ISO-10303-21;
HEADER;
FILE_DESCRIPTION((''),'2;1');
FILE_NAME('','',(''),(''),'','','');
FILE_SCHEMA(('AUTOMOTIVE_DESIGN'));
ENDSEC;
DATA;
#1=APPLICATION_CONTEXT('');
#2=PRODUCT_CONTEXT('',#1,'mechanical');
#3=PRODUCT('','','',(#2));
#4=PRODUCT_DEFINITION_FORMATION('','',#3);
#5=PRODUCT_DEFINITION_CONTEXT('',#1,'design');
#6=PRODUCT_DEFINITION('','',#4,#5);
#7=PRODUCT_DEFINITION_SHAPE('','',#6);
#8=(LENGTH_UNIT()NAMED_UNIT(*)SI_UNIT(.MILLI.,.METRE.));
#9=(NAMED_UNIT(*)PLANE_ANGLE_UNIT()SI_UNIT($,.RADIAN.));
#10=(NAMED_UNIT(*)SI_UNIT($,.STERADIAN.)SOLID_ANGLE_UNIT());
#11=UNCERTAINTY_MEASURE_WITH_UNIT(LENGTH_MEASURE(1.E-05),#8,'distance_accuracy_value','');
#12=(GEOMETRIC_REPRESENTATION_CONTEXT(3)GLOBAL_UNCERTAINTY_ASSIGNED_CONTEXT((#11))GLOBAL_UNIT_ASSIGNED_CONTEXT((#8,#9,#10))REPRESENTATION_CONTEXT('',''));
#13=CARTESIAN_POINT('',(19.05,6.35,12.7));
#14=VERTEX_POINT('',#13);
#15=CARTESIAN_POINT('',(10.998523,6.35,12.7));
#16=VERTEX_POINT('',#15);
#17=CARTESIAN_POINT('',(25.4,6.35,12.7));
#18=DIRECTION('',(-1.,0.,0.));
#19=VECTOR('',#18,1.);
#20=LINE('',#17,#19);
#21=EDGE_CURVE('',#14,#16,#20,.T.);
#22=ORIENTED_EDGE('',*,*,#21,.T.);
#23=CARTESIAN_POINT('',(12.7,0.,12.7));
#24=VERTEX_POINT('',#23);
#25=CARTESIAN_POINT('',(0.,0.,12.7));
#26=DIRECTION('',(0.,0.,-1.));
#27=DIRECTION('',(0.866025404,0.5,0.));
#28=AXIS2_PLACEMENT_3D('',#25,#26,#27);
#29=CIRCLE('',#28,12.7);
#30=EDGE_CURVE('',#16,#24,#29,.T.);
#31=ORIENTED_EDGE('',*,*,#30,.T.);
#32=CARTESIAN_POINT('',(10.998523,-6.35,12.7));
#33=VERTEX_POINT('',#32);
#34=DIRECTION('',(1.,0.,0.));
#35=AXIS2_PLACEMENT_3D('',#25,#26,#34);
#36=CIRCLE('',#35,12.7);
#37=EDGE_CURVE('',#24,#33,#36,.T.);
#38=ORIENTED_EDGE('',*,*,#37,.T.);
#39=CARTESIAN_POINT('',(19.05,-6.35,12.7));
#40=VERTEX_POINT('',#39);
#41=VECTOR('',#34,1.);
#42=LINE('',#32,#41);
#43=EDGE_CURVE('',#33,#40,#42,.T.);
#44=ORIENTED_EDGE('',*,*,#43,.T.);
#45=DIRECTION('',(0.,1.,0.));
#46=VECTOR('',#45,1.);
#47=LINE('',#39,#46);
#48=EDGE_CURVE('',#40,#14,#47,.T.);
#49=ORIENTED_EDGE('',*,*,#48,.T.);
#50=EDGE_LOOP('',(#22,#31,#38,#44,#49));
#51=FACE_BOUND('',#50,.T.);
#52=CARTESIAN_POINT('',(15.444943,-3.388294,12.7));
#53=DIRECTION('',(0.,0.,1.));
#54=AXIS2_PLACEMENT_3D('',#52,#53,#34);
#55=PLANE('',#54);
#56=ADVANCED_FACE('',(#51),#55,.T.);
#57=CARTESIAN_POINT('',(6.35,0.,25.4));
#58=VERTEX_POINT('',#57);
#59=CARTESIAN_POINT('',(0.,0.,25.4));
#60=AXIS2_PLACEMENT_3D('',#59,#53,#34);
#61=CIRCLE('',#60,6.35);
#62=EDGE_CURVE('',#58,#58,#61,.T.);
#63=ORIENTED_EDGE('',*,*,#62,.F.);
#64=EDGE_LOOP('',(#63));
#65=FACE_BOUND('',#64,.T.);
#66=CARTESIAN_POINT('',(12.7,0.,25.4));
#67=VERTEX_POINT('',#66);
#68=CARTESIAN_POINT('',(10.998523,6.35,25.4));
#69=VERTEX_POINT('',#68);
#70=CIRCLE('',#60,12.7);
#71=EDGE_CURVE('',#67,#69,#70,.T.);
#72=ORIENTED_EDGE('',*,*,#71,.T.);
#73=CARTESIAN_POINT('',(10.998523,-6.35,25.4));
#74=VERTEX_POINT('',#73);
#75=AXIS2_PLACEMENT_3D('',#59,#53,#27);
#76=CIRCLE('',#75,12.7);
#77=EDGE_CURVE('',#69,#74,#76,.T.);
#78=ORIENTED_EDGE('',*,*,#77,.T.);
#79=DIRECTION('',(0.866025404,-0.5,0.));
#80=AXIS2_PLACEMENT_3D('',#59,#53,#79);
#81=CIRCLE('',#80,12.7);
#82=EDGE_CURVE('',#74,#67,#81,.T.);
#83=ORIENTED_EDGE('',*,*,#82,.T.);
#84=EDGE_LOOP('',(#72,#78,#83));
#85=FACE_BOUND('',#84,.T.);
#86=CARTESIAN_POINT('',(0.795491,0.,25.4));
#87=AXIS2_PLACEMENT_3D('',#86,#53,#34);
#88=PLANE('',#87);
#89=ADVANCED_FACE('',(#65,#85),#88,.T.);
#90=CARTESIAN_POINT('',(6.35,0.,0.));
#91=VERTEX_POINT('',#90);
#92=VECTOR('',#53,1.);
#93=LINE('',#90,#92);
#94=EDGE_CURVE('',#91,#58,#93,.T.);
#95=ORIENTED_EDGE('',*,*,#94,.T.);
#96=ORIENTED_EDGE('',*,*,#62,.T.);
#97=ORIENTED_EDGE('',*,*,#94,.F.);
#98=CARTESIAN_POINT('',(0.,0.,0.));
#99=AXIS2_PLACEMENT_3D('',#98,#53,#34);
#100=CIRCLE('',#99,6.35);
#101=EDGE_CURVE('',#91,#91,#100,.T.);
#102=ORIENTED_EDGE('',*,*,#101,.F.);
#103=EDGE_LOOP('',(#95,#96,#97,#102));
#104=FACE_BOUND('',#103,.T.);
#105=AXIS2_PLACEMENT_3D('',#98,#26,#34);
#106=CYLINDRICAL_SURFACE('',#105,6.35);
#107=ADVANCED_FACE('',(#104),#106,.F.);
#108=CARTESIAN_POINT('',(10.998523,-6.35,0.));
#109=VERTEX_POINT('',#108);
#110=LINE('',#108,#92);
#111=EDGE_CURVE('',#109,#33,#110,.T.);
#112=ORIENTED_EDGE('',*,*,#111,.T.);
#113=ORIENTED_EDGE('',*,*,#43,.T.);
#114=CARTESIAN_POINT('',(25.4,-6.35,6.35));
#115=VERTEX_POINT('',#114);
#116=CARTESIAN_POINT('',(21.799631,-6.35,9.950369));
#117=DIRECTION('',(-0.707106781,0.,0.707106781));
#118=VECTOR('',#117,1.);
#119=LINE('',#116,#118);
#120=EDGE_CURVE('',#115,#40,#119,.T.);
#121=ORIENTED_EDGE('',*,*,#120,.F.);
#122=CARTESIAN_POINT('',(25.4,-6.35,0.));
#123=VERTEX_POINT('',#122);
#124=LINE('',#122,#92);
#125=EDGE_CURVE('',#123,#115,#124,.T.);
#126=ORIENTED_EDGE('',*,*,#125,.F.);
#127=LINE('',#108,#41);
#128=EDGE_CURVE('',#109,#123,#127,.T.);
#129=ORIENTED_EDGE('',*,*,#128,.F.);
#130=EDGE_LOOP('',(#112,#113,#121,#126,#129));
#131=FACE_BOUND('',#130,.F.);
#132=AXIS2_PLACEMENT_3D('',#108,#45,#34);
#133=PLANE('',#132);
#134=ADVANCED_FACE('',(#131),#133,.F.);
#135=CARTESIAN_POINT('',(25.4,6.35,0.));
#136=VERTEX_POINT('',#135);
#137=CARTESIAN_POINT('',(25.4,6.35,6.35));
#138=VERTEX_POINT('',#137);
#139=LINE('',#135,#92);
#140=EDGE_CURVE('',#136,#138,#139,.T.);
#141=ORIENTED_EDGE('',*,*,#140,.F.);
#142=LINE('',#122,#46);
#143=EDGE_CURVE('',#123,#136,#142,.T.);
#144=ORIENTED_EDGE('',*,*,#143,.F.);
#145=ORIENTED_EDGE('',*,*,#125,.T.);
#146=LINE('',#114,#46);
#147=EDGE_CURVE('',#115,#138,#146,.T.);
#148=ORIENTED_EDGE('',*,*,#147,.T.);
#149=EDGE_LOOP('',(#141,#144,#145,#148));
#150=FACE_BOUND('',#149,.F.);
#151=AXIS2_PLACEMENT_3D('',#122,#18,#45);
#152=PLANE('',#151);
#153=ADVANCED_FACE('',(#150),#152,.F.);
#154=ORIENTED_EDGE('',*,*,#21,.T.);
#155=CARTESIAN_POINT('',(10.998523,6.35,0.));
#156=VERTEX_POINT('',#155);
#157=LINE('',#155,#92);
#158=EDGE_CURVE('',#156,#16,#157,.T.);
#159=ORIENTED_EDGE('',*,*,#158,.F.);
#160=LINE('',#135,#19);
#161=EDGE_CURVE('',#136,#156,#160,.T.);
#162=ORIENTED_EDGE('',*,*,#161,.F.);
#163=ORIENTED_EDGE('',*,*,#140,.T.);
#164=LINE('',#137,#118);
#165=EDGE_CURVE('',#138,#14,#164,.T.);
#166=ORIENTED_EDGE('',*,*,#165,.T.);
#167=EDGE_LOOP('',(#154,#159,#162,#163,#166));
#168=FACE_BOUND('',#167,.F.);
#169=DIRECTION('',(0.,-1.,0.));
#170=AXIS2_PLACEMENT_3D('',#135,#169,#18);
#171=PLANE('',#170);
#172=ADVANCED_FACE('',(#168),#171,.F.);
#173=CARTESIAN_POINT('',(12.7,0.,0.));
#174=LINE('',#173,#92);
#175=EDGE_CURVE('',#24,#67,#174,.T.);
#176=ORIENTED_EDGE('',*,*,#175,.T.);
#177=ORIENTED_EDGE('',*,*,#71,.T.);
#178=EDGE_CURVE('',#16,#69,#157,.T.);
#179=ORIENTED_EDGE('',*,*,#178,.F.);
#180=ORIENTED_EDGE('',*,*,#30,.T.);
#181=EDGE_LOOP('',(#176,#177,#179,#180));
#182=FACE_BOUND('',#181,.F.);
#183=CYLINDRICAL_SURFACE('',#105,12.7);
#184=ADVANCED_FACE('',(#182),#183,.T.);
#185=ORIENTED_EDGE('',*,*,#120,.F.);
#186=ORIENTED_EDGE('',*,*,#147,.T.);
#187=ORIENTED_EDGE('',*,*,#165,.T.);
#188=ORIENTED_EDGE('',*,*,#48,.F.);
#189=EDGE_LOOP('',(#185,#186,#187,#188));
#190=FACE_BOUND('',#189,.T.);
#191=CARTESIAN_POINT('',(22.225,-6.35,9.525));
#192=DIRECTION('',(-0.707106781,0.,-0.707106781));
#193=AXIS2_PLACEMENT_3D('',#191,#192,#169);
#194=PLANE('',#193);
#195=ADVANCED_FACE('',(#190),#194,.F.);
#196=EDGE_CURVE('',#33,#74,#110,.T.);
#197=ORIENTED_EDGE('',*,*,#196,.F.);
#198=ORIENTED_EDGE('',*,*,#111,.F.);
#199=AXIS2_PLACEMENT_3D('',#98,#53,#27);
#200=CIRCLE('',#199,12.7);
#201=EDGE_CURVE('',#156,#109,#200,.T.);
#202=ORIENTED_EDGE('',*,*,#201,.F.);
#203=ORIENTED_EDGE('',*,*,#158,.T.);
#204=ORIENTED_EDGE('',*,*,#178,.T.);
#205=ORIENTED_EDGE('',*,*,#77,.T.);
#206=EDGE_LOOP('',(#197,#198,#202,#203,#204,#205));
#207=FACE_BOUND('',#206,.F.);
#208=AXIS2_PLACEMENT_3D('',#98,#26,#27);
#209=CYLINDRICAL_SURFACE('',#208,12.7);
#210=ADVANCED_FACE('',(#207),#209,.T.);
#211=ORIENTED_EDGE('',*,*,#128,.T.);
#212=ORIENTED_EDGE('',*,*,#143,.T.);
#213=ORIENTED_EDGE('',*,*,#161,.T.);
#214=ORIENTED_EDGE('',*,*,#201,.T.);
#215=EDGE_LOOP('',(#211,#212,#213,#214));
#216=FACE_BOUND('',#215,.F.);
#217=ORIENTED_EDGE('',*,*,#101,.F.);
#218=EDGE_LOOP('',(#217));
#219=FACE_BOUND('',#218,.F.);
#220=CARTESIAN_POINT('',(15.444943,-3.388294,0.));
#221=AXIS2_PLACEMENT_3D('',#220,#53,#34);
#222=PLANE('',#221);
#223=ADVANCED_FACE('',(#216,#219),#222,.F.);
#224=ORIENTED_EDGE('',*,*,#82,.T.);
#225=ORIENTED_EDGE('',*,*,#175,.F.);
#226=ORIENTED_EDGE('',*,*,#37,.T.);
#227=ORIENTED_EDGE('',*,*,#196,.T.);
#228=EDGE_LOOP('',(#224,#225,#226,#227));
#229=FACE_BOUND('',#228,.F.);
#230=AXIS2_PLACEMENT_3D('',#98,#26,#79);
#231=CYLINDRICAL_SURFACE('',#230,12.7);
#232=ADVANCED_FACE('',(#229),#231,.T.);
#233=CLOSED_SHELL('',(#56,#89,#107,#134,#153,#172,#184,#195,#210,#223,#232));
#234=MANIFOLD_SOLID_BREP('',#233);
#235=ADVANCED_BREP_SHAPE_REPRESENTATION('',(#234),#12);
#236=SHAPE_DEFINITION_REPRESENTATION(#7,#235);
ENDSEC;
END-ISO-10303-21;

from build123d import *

# Parameters (mm, degrees)
F0_R     = 6.35
F1_DEPTH = 25.4
F0_W     = 6.35
F0_H     = 6.35
F2_DEPTH = 12.7
F3_SIZE  = 6.35


with BuildPart() as f1:
    # F0 (on Top) → F1 (new body)
    with BuildSketch(Plane.XY):
        with BuildLine():
            ThreePointArc((10.9985226281, -6.35), (12.2672579939, -3.2870018728), (12.7, 0))
            ThreePointArc((12.7, 0), (12.2672579939, 3.2870018728), (10.9985226281, 6.35))
            ThreePointArc((10.9985226281, 6.35), (-12.7, 0), (10.9985226281, -6.35))
        make_face()
        Circle(F0_R, mode=Mode.SUBTRACT)
    extrude(amount=F1_DEPTH)

    # F0 (on Top) → F2 (join)
    with BuildSketch(Plane.XY):
        with BuildLine():
            Line((19.05, 0), (12.7, 0))
            ThreePointArc((12.7, 0), (12.2672579939, -3.2870018728), (10.9985226281, -6.35))
            Line((10.9985226281, -6.35), (19.05, -6.35))
            Line((19.05, -6.35), (19.05, 0))
        make_face()
        with BuildLine():
            ThreePointArc((10.9985226281, 6.35), (12.2672579939, 3.2870018728), (12.7, 0))
            Line((12.7, 0), (19.05, 0))
            Line((19.05, 0), (19.05, 6.35))
            Line((19.05, 6.35), (10.9985226281, 6.35))
        make_face()
        with Locations((22.225, 3.175)):
            Rectangle(F0_W, F0_H)
        with Locations((22.225, -3.175)):
            Rectangle(F0_W, F0_H)
    extrude(amount=F2_DEPTH)

    # F3
    f3_edges = [f1.edges().sort_by_distance(p)[0] for p in [
        (25.4, 0, 12.7),
    ]]
    chamfer(f3_edges, length=F3_SIZE)


solid = f1.part
